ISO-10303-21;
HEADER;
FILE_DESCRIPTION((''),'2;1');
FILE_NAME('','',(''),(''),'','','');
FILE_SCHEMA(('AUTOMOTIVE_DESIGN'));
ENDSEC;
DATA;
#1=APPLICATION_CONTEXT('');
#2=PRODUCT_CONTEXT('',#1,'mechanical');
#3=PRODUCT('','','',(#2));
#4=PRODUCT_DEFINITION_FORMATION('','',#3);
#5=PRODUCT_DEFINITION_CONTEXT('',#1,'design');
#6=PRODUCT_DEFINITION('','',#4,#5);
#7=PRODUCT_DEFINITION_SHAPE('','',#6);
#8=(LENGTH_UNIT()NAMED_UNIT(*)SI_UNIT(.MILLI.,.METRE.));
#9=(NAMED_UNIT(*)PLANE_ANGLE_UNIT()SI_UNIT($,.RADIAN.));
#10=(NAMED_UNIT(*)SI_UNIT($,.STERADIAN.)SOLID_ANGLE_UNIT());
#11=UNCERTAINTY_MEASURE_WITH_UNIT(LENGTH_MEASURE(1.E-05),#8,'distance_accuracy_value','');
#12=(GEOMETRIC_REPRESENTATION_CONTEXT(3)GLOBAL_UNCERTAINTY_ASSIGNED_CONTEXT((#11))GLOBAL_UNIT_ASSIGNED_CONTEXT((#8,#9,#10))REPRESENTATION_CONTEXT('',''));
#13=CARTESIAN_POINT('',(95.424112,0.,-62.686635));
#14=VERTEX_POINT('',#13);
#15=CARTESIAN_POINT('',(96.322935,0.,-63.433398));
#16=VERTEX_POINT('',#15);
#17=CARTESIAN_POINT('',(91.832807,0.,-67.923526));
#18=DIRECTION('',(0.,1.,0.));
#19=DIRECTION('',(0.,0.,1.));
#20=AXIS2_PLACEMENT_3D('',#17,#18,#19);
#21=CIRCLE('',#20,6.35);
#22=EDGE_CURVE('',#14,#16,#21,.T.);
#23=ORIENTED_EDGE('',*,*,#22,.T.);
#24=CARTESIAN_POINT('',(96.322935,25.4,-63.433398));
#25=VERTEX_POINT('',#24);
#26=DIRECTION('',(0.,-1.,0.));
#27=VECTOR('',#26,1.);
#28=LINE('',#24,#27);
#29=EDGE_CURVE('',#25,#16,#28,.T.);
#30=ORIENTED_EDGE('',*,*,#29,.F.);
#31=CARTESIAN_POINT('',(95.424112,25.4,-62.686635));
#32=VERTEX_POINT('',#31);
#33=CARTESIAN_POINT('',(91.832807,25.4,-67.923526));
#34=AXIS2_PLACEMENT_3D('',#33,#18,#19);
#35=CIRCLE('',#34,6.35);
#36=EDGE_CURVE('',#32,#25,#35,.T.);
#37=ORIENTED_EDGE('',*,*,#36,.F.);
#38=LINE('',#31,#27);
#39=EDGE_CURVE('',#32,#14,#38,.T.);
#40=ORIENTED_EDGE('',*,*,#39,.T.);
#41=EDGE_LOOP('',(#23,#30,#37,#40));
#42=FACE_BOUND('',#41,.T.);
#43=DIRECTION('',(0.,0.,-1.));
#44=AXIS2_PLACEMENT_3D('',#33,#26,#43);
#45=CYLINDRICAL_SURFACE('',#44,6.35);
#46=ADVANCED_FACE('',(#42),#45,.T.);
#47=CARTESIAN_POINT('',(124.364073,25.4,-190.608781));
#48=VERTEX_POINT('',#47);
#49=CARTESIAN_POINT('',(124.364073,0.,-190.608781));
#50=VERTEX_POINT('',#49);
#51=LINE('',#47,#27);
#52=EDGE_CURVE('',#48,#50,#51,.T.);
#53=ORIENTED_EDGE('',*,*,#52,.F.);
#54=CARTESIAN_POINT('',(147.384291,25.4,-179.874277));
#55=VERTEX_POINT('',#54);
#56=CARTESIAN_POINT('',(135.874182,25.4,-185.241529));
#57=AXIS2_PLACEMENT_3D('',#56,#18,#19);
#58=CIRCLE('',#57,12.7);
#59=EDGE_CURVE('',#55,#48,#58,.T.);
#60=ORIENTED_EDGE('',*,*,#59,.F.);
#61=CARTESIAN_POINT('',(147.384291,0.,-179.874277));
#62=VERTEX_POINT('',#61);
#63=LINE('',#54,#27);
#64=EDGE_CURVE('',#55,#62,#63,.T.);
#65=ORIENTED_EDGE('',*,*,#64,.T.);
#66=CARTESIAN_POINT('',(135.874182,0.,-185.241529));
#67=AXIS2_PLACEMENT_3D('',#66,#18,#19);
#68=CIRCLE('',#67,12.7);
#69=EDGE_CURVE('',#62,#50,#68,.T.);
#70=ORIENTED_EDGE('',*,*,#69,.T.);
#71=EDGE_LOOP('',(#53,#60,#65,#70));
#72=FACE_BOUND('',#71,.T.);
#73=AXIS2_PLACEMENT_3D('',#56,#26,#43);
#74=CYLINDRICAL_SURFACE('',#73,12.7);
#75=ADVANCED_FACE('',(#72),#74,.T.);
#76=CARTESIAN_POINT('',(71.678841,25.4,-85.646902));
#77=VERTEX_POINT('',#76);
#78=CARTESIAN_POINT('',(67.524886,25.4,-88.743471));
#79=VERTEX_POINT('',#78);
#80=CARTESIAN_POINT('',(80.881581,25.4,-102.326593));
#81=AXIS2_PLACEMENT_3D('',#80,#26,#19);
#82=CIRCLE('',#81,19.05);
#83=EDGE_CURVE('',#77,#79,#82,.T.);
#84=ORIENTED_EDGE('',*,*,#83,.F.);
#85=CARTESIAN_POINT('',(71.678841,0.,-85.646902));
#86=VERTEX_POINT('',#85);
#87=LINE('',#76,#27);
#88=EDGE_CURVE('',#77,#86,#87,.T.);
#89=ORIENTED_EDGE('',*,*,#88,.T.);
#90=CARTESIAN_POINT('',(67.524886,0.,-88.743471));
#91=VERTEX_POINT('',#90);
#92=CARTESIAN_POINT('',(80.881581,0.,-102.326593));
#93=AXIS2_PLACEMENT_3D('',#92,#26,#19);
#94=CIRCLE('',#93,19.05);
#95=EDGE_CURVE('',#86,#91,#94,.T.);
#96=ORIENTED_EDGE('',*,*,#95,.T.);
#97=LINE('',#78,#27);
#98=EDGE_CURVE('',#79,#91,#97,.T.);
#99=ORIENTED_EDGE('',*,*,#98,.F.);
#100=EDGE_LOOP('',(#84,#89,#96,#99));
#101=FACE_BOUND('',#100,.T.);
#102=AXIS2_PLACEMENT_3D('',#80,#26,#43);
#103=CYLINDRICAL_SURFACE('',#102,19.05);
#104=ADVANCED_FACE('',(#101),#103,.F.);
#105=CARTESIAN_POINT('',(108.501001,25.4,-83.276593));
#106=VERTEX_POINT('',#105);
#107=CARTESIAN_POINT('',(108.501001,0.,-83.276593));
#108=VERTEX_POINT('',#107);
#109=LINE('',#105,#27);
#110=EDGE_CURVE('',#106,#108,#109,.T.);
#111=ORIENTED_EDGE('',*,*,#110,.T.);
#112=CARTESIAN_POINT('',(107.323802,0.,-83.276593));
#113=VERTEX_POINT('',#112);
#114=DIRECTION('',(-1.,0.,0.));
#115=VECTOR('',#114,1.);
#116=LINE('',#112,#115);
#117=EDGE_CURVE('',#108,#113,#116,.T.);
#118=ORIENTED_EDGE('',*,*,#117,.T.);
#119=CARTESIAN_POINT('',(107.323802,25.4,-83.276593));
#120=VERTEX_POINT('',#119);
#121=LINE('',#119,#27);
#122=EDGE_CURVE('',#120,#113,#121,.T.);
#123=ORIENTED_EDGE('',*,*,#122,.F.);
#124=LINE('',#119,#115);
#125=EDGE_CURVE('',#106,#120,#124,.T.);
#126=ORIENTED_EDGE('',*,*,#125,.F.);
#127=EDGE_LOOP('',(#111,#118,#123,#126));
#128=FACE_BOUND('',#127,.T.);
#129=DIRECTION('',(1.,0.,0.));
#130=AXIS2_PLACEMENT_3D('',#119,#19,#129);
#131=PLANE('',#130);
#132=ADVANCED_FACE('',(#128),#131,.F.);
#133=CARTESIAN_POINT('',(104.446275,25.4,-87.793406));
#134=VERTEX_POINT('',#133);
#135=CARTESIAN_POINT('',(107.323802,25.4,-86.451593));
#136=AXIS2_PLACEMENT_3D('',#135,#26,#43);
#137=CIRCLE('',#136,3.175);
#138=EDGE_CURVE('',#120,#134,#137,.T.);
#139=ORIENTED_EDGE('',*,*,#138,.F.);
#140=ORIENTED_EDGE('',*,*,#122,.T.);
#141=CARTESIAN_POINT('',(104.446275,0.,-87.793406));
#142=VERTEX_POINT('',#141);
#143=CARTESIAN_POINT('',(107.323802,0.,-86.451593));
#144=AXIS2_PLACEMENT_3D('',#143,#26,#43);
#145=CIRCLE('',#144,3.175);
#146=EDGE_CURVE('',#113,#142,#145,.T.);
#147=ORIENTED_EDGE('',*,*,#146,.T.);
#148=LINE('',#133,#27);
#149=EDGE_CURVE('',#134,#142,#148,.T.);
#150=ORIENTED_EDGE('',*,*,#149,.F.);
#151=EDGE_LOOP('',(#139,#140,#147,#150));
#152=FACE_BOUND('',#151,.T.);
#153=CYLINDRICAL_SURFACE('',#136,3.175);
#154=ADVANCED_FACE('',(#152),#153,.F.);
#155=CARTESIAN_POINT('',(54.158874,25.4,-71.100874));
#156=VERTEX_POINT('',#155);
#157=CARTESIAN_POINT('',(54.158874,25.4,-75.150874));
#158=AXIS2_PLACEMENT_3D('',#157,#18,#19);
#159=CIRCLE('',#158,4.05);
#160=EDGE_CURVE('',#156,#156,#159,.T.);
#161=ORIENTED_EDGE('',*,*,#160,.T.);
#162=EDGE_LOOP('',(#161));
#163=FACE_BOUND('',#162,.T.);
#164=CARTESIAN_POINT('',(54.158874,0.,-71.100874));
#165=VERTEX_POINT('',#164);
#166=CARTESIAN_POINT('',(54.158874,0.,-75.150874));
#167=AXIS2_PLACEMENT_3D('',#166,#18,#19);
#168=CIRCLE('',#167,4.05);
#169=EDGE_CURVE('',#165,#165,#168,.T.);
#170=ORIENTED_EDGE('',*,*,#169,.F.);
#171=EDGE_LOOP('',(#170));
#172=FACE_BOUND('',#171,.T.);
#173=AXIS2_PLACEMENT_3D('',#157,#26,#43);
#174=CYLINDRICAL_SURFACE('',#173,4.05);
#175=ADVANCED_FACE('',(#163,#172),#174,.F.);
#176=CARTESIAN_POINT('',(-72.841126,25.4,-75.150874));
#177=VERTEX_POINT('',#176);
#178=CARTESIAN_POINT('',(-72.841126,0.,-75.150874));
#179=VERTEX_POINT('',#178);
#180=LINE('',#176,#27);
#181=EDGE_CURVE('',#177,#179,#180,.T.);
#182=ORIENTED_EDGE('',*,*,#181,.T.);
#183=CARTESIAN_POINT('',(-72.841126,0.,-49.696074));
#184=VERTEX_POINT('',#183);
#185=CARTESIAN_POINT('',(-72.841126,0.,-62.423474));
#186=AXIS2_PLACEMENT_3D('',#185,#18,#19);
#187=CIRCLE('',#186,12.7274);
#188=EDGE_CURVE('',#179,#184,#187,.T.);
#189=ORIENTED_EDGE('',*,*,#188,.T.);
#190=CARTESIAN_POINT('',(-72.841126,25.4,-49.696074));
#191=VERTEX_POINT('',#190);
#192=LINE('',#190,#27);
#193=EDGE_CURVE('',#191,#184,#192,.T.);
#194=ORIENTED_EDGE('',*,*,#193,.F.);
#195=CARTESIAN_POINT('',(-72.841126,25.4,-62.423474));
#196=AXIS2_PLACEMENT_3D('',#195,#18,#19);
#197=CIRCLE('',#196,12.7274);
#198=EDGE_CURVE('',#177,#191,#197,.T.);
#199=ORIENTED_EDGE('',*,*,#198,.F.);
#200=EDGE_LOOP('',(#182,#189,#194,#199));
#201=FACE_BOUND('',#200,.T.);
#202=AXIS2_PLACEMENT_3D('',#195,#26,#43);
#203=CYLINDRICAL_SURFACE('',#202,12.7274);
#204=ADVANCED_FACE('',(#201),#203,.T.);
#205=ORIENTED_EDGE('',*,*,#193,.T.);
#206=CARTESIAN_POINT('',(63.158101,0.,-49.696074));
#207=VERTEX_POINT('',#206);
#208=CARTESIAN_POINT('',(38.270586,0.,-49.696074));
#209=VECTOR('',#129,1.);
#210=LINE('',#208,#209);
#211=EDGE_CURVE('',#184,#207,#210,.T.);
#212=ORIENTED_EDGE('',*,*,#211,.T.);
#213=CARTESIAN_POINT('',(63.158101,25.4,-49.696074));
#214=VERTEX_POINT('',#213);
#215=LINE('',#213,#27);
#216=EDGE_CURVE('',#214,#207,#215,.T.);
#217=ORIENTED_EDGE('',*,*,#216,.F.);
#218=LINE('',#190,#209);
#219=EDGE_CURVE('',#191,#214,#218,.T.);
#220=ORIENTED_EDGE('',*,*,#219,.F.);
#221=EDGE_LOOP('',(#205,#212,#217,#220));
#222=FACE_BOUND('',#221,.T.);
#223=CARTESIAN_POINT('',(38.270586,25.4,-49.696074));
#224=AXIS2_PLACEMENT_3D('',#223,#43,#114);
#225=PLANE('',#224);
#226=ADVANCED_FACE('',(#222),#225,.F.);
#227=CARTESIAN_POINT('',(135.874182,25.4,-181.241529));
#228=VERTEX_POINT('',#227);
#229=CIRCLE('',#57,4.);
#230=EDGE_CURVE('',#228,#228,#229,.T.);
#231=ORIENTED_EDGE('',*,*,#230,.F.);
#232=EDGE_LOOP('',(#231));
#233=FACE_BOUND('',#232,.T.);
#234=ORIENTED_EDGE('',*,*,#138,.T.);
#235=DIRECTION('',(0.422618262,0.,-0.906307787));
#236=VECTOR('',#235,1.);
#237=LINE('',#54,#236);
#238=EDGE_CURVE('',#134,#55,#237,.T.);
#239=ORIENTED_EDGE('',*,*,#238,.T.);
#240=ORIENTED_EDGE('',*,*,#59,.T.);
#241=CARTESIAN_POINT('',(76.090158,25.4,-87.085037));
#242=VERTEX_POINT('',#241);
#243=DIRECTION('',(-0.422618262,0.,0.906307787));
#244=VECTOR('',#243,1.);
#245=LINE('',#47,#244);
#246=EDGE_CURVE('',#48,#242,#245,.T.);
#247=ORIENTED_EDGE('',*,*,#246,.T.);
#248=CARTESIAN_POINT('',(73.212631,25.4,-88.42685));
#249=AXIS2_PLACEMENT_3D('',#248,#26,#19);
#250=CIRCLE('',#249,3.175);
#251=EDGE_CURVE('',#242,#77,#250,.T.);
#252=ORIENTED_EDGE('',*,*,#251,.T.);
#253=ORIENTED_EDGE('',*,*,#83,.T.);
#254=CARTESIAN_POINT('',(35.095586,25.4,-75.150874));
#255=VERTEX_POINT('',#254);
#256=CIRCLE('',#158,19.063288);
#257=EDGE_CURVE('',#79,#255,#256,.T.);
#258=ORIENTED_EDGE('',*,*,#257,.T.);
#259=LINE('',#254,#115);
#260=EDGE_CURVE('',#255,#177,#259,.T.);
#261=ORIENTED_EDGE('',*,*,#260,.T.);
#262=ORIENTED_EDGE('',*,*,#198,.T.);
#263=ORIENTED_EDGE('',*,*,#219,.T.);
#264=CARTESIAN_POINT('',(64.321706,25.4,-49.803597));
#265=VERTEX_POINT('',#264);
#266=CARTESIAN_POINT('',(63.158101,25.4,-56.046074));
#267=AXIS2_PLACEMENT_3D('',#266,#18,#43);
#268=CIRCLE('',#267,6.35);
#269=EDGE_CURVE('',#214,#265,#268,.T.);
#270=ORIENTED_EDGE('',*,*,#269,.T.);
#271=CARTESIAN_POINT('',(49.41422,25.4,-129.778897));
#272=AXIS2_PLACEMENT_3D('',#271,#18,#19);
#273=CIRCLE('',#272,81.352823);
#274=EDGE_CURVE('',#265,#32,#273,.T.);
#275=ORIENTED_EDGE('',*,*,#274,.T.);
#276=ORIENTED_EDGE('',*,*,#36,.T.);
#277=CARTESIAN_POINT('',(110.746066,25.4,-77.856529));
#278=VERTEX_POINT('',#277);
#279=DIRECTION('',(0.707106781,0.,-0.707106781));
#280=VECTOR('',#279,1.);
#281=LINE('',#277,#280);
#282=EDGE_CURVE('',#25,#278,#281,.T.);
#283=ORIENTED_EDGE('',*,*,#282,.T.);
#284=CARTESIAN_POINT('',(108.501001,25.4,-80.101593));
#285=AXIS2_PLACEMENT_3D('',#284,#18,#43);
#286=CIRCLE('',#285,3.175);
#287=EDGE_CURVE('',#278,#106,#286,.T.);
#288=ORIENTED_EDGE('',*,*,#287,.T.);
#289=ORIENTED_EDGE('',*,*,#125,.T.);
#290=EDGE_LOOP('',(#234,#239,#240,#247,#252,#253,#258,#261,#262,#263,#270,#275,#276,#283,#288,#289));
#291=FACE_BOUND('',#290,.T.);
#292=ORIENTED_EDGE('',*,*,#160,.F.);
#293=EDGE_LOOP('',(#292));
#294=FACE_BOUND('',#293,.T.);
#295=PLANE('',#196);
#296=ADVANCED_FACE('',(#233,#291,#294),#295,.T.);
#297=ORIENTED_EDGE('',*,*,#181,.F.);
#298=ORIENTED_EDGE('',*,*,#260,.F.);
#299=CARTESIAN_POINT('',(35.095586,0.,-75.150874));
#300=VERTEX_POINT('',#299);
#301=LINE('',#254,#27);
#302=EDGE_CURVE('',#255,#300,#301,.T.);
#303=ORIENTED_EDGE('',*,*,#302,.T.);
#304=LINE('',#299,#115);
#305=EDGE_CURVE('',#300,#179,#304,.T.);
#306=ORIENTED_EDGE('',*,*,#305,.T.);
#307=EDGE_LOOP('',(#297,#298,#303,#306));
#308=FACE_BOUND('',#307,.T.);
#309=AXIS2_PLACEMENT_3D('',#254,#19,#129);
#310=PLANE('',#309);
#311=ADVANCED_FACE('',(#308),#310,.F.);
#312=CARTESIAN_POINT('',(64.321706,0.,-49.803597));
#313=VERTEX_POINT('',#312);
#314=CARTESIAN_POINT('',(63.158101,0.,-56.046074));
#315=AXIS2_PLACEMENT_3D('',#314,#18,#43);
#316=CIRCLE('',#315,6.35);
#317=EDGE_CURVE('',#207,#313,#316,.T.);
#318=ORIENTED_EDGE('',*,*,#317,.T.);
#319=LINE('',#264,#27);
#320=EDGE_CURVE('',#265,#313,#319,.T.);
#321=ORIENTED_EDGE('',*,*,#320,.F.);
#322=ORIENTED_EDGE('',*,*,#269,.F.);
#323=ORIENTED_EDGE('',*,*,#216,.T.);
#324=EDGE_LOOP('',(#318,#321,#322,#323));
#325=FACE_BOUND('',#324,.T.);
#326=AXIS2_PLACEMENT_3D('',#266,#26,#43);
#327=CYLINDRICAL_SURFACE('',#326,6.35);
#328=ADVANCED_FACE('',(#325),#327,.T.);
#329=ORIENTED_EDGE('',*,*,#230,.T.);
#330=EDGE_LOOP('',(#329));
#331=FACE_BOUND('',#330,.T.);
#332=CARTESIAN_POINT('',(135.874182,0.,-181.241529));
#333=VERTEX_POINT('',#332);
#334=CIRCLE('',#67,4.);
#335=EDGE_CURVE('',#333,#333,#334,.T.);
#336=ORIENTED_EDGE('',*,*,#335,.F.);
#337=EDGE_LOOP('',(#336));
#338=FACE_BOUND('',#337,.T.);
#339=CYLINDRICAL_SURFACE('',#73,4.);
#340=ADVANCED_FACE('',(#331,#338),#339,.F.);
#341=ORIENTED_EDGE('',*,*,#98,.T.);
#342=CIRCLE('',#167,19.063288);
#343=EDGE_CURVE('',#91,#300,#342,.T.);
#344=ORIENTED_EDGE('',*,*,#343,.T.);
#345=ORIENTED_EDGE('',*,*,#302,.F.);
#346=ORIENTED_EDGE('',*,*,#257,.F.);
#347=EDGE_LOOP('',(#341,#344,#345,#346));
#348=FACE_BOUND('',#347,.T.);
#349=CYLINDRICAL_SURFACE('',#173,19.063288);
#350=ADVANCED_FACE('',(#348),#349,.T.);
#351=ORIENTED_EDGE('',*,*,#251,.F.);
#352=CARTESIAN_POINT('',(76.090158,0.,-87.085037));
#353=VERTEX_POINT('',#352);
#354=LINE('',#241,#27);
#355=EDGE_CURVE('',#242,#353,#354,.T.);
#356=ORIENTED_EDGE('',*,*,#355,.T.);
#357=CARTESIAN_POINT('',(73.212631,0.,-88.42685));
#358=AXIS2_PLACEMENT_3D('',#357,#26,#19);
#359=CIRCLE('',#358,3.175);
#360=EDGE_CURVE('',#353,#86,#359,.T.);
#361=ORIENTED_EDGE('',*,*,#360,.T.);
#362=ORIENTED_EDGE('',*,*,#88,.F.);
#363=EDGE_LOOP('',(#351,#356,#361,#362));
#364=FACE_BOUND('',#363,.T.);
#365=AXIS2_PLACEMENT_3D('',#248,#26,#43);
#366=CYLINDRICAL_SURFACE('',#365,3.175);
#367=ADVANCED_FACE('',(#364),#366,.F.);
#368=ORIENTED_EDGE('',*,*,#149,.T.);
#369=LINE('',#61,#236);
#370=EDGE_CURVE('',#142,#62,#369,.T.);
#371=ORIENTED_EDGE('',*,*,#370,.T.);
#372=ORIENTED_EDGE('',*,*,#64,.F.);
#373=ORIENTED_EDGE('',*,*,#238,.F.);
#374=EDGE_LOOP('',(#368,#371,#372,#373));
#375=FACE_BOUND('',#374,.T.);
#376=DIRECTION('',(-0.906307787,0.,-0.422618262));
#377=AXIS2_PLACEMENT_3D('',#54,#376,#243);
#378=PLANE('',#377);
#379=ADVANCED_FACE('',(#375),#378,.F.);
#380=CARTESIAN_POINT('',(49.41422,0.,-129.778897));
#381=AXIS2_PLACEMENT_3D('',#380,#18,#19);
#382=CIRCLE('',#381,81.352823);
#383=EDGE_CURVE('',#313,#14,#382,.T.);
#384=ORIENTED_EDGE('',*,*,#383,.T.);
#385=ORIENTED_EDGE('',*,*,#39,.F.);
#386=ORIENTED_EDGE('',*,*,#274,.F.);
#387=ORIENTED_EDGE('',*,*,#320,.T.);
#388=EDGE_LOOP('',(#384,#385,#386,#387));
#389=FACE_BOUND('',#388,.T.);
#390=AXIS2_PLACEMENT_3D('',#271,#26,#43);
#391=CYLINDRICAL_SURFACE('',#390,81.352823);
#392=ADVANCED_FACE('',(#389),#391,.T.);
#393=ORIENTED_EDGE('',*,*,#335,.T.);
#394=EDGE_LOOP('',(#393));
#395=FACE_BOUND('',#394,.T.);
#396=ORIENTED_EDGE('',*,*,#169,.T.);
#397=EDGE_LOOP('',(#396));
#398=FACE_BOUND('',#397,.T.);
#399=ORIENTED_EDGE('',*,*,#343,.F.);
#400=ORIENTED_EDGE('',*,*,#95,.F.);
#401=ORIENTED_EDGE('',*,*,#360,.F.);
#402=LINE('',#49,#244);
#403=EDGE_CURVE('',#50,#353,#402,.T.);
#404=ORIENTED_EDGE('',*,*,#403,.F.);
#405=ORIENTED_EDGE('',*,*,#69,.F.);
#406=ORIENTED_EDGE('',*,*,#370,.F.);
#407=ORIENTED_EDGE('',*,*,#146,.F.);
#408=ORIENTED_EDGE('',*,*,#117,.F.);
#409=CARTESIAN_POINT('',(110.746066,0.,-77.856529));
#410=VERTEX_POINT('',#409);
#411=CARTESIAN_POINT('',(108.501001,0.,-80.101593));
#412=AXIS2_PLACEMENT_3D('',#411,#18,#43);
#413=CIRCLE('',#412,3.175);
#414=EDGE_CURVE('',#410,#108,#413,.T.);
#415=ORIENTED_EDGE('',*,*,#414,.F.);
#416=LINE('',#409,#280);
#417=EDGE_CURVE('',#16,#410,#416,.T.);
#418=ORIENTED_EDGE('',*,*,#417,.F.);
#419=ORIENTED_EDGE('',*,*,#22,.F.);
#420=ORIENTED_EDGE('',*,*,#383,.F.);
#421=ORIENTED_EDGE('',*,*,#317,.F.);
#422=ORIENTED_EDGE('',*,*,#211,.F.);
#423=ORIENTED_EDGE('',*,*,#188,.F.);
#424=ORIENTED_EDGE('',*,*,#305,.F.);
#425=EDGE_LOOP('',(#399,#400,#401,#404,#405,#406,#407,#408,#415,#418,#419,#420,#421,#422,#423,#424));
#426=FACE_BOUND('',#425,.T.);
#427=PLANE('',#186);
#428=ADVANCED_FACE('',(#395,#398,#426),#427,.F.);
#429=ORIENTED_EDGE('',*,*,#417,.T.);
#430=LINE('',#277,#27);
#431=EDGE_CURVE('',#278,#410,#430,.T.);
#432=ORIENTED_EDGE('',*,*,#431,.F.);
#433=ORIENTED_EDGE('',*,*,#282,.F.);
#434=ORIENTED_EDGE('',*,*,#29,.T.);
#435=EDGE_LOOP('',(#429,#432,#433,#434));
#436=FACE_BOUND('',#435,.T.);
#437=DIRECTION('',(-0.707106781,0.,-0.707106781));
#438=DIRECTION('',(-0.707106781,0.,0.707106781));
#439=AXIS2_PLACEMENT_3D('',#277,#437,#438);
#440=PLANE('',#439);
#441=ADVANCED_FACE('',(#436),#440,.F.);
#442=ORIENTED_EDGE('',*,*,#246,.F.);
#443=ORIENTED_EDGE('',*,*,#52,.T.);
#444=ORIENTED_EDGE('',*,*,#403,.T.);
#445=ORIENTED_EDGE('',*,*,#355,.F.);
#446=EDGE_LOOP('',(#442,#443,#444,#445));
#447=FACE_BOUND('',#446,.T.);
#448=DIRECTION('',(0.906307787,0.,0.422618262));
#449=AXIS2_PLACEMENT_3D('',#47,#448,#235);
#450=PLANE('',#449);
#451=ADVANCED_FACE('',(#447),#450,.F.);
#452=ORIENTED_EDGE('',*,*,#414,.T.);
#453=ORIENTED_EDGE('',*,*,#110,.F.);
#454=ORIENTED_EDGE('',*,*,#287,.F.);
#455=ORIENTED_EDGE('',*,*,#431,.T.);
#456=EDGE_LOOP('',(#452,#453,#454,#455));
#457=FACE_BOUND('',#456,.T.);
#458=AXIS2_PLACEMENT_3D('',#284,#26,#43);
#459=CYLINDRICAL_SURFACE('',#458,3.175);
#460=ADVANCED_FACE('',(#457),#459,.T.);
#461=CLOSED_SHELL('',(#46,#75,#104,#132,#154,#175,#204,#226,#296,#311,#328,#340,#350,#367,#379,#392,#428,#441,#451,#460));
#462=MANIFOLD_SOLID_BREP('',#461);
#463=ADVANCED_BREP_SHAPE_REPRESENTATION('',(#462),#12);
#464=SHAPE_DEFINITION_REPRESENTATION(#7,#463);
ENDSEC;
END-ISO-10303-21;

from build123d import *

# Parameters (mm, degrees)
SKETCH1_R           = 4.05
SKETCH1_R_2         = 4
BOSS_EXTRUDE1_DEPTH = 25.4


with BuildPart() as part:
    # Sketch1 → Boss-Extrude1 (new body)
    with BuildSketch(Plane(origin=(0, 0, 0), x_dir=(1, 0, 0), z_dir=(0, 1, 0))):
        with BuildLine():
            Line((35.095585876, 75.150873895), (-72.841125884, 75.150873895))
            ThreePointArc((-72.841125884, 75.150873895), (-85.568525883, 62.423473896), (-72.841125884, 49.696073896))
            Line((-72.841125884, 49.696073896), (38.270585876, 49.696073896))
            Line((38.270585876, 49.696073896), (63.158100717, 49.696073896))
            ThreePointArc((63.158100717, 49.696073896), (63.742381743, 49.723011689), (64.321705528, 49.803596516))
            ThreePointArc((64.321705528, 49.803596516), (80.546596989, 54.618688797), (95.424112169, 62.686635169))
            ThreePointArc((95.424112169, 62.686635169), (95.890738024, 63.039296868), (96.322934996, 63.433398048))
            Line((96.322934996, 63.433398048), (110.746065504, 77.856528557))
            ThreePointArc((110.746065504, 77.856528557), (111.43431899, 81.316612485), (108.501001474, 83.276592587))
            Line((108.501001474, 83.276592587), (107.323802413, 83.276592587))
            ThreePointArc((107.323802413, 83.276592587), (104.646034573, 84.74566633), (104.44627519, 87.793405568))
            Line((104.44627519, 87.793405568), (147.384290582, 179.874276731))
            ThreePointArc((147.384290582, 179.874276731), (141.241433611, 196.75163755), (124.364072791, 190.608780579))
            Line((124.364072791, 190.608780579), (76.090158478, 87.085037255))
            ThreePointArc((76.090158478, 87.085037255), (74.19673791, 85.408214933), (71.67884134, 85.646901766))
            ThreePointArc((71.67884134, 85.646901766), (69.496098635, 87.053305606), (67.524885923, 88.743470663))
            ThreePointArc((67.524885923, 88.743470663), (46.789721423, 92.732243213), (35.095585876, 75.150873895))
        make_face()
        with Locations((54.158874116, 75.150873895)):
            Circle(SKETCH1_R, mode=Mode.SUBTRACT)
        with Locations((135.874181687, 185.241528655)):
            Circle(SKETCH1_R_2, mode=Mode.SUBTRACT)
    extrude(amount=BOSS_EXTRUDE1_DEPTH)


solid = part.part
